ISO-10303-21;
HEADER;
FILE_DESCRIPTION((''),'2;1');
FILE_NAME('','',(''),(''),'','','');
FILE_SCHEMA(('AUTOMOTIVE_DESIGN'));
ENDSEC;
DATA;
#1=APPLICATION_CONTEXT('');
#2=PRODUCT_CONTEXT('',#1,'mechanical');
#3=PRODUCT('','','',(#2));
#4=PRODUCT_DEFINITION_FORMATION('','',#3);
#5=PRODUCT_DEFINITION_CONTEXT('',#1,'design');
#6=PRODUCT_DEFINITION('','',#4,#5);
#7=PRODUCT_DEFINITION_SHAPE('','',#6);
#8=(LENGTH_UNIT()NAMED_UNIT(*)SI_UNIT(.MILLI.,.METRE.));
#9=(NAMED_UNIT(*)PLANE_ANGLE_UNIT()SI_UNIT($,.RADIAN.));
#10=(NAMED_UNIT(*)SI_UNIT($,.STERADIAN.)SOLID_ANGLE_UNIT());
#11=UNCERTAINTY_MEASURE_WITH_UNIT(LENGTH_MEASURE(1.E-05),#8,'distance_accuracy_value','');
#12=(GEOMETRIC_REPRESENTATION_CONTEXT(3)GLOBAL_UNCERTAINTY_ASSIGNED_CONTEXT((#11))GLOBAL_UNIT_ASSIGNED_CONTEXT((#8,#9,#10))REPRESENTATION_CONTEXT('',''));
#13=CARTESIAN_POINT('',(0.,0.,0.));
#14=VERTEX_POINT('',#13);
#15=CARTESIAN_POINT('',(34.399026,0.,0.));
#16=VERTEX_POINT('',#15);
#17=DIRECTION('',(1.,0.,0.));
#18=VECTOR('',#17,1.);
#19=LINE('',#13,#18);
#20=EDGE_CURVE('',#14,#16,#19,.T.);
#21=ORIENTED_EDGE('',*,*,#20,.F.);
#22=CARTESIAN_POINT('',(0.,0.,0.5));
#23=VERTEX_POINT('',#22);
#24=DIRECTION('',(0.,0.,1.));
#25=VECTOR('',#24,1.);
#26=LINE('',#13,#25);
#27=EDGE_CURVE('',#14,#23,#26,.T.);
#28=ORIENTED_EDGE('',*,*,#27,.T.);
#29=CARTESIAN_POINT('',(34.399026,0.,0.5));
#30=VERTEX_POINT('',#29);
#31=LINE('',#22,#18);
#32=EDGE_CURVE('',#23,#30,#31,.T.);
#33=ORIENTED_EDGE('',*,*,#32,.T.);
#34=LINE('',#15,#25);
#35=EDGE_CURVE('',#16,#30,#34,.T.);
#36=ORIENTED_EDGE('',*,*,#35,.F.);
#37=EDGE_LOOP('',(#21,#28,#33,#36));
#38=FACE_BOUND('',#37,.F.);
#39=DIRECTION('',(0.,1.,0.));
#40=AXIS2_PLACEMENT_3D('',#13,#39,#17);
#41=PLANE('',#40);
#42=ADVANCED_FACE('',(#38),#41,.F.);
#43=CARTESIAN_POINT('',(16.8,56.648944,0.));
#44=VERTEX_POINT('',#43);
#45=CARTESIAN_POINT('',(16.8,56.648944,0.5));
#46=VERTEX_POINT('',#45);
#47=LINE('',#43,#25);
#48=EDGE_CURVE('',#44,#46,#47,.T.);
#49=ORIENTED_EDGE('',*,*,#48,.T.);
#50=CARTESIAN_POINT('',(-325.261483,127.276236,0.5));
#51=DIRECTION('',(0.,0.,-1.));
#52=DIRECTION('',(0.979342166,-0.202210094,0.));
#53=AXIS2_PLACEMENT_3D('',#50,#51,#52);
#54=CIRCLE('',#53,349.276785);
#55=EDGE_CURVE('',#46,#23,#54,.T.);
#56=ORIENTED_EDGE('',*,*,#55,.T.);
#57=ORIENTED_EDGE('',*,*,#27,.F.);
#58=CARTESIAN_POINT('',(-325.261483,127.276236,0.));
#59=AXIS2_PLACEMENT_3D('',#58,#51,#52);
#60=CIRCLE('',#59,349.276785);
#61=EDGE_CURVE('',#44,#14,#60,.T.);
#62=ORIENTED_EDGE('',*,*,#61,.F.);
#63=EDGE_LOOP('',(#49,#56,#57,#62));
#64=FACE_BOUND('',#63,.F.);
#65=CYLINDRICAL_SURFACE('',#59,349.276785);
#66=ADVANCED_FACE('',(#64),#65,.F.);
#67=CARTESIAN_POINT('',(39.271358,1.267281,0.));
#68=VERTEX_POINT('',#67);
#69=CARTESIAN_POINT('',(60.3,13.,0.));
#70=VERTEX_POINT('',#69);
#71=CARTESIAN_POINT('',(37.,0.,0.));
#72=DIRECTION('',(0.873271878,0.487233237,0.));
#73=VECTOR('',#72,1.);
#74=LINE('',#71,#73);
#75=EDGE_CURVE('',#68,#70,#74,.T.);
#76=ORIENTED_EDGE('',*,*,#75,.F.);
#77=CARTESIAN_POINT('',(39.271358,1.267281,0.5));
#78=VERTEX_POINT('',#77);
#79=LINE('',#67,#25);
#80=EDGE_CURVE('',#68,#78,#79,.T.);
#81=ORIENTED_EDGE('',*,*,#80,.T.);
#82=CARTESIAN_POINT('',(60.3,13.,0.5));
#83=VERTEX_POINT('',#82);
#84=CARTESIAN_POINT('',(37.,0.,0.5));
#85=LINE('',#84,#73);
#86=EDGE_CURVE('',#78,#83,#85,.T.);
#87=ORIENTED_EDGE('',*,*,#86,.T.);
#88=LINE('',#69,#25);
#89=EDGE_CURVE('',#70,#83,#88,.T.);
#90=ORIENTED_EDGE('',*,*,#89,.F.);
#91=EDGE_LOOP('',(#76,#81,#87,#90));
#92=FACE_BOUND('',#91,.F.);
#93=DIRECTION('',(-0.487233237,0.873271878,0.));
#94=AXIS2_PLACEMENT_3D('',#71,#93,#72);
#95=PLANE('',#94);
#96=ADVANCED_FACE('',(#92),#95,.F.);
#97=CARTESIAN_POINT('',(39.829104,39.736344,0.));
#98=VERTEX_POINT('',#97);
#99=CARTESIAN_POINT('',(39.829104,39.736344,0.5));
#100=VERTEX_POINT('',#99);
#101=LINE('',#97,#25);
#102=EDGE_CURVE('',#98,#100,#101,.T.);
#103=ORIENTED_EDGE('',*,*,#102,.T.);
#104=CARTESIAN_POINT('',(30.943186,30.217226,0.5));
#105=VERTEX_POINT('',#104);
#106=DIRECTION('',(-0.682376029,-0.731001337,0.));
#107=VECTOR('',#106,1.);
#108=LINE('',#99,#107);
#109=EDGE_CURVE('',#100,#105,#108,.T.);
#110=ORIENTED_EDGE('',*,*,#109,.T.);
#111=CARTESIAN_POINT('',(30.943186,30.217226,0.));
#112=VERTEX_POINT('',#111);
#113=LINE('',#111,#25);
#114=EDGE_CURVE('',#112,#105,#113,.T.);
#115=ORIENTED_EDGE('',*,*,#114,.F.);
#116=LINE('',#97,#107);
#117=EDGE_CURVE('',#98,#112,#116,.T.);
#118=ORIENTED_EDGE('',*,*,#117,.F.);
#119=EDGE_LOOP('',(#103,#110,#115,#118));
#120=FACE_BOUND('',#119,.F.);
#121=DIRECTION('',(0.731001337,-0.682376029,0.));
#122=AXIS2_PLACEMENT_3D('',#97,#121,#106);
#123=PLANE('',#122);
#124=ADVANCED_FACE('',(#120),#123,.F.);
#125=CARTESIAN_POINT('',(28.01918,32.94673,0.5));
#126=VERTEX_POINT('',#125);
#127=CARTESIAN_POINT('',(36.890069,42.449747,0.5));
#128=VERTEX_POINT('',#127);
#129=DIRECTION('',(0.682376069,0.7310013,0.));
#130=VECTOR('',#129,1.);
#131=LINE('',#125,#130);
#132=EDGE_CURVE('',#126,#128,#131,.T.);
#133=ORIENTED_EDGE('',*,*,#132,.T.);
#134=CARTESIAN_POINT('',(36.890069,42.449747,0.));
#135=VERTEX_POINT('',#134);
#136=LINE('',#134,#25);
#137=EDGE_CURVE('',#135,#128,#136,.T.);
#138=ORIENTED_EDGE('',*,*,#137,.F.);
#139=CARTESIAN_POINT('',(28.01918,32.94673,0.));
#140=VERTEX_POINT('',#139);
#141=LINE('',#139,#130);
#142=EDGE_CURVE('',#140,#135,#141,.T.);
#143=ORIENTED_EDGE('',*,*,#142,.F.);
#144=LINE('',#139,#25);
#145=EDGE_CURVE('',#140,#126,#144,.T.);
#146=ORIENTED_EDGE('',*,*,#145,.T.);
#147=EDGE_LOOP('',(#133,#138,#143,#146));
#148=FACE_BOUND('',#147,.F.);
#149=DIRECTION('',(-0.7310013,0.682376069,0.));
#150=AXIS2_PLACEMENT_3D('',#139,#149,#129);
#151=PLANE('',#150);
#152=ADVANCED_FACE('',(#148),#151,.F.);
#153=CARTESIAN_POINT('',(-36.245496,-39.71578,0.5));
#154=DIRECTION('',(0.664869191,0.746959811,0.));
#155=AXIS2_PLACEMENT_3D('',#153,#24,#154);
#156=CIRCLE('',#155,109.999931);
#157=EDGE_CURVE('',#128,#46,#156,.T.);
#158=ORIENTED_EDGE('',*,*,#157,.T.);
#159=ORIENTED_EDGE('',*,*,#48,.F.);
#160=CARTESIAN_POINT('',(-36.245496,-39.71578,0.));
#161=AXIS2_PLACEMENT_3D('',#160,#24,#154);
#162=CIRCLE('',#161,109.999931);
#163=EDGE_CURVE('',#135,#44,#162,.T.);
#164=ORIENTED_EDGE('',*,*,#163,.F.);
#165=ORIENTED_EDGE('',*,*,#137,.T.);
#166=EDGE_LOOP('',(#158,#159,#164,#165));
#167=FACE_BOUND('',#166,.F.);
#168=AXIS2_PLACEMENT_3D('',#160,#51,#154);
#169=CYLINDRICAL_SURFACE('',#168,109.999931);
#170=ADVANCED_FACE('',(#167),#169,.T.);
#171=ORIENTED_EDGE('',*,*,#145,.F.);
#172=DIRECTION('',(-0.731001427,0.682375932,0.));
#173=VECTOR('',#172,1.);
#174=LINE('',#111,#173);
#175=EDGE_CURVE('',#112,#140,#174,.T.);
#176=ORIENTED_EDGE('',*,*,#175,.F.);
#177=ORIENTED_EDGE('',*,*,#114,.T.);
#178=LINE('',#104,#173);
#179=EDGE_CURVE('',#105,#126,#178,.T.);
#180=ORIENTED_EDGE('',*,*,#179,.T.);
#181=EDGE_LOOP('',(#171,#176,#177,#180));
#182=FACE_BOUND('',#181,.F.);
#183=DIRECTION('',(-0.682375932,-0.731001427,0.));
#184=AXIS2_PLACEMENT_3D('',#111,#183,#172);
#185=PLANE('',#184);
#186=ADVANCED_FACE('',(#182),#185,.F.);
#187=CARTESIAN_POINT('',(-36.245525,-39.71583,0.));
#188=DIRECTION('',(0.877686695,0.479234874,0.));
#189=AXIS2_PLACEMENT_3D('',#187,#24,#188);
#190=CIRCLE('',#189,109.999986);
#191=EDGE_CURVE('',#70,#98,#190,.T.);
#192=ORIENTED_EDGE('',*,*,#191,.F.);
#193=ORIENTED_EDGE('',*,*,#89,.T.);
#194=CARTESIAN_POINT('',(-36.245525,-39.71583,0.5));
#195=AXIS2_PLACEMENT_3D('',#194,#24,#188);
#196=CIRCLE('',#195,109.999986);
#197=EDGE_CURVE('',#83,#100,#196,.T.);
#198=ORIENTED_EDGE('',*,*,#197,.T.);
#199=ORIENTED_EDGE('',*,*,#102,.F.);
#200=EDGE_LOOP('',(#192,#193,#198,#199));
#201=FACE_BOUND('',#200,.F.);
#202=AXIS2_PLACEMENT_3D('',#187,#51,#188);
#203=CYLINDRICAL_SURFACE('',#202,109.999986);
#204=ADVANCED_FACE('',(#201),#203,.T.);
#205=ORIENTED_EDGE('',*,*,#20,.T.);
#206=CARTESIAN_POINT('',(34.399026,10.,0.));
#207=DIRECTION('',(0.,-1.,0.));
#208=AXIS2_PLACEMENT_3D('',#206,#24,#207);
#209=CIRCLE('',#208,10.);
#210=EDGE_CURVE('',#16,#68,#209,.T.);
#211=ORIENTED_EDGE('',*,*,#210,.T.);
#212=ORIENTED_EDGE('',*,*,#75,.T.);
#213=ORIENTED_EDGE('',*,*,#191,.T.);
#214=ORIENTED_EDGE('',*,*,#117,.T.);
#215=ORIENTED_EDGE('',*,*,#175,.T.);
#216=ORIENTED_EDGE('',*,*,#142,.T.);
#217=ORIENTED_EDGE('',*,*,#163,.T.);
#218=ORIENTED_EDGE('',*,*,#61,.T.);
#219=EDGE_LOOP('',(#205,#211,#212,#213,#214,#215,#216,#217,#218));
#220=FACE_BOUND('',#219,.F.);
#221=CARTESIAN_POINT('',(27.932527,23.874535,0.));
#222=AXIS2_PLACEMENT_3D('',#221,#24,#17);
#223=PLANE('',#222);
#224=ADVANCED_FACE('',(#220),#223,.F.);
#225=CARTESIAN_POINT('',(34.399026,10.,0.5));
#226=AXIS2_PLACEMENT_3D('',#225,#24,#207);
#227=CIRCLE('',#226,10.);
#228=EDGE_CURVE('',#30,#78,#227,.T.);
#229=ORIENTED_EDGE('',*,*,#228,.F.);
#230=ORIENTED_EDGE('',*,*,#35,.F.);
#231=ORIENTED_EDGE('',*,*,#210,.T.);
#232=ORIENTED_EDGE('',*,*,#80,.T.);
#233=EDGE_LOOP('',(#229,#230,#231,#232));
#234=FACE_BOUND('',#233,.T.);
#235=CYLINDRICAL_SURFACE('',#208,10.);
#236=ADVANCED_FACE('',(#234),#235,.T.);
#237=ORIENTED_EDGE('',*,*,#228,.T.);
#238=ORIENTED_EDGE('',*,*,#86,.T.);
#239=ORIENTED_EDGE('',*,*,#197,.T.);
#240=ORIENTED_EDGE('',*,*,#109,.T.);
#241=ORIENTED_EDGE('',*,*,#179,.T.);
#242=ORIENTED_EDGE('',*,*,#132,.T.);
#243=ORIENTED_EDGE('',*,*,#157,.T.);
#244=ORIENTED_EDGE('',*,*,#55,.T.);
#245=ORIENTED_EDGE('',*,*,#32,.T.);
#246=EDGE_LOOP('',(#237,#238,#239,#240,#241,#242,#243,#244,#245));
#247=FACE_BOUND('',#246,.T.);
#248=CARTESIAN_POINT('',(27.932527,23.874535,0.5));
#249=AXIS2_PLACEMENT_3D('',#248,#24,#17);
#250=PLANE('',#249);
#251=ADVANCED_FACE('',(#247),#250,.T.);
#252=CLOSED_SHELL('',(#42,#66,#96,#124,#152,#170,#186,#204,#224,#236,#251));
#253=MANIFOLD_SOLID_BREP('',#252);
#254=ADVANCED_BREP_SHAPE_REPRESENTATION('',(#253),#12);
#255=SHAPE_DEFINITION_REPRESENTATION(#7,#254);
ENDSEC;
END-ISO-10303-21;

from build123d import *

# Parameters (mm, degrees)
F1_DEPTH = 0.5
F2_R     = 10


with BuildPart() as f1:
    # F0 (on Top) → F1 (new body)
    with BuildSketch(Plane.XY):
        with BuildLine():
            Line((0, 0), (37, 0))
            Line((37, 0), (60.3, 13))
            ThreePointArc((60.3, 13), (51.093684, 27.156135), (39.829104, 39.736344))
            Line((39.829104, 39.736344), (30.943186, 30.217226))
            Line((30.943186, 30.217226), (28.01918, 32.94673))
            Line((28.01918, 32.94673), (36.890069, 42.449747))
            ThreePointArc((36.890069, 42.449747), (27.243238, 50.112753), (16.8, 56.648944))
            ThreePointArc((16.8, 56.648944), (9.600072, 27.968575), (0, 0))
        make_face()
    extrude(amount=F1_DEPTH)

    # F2
    f2_edges = [f1.edges().sort_by_distance(p)[0] for p in [
        (37, 0, 0.25),
    ]]
    fillet(f2_edges, radius=F2_R)


solid = f1.part
